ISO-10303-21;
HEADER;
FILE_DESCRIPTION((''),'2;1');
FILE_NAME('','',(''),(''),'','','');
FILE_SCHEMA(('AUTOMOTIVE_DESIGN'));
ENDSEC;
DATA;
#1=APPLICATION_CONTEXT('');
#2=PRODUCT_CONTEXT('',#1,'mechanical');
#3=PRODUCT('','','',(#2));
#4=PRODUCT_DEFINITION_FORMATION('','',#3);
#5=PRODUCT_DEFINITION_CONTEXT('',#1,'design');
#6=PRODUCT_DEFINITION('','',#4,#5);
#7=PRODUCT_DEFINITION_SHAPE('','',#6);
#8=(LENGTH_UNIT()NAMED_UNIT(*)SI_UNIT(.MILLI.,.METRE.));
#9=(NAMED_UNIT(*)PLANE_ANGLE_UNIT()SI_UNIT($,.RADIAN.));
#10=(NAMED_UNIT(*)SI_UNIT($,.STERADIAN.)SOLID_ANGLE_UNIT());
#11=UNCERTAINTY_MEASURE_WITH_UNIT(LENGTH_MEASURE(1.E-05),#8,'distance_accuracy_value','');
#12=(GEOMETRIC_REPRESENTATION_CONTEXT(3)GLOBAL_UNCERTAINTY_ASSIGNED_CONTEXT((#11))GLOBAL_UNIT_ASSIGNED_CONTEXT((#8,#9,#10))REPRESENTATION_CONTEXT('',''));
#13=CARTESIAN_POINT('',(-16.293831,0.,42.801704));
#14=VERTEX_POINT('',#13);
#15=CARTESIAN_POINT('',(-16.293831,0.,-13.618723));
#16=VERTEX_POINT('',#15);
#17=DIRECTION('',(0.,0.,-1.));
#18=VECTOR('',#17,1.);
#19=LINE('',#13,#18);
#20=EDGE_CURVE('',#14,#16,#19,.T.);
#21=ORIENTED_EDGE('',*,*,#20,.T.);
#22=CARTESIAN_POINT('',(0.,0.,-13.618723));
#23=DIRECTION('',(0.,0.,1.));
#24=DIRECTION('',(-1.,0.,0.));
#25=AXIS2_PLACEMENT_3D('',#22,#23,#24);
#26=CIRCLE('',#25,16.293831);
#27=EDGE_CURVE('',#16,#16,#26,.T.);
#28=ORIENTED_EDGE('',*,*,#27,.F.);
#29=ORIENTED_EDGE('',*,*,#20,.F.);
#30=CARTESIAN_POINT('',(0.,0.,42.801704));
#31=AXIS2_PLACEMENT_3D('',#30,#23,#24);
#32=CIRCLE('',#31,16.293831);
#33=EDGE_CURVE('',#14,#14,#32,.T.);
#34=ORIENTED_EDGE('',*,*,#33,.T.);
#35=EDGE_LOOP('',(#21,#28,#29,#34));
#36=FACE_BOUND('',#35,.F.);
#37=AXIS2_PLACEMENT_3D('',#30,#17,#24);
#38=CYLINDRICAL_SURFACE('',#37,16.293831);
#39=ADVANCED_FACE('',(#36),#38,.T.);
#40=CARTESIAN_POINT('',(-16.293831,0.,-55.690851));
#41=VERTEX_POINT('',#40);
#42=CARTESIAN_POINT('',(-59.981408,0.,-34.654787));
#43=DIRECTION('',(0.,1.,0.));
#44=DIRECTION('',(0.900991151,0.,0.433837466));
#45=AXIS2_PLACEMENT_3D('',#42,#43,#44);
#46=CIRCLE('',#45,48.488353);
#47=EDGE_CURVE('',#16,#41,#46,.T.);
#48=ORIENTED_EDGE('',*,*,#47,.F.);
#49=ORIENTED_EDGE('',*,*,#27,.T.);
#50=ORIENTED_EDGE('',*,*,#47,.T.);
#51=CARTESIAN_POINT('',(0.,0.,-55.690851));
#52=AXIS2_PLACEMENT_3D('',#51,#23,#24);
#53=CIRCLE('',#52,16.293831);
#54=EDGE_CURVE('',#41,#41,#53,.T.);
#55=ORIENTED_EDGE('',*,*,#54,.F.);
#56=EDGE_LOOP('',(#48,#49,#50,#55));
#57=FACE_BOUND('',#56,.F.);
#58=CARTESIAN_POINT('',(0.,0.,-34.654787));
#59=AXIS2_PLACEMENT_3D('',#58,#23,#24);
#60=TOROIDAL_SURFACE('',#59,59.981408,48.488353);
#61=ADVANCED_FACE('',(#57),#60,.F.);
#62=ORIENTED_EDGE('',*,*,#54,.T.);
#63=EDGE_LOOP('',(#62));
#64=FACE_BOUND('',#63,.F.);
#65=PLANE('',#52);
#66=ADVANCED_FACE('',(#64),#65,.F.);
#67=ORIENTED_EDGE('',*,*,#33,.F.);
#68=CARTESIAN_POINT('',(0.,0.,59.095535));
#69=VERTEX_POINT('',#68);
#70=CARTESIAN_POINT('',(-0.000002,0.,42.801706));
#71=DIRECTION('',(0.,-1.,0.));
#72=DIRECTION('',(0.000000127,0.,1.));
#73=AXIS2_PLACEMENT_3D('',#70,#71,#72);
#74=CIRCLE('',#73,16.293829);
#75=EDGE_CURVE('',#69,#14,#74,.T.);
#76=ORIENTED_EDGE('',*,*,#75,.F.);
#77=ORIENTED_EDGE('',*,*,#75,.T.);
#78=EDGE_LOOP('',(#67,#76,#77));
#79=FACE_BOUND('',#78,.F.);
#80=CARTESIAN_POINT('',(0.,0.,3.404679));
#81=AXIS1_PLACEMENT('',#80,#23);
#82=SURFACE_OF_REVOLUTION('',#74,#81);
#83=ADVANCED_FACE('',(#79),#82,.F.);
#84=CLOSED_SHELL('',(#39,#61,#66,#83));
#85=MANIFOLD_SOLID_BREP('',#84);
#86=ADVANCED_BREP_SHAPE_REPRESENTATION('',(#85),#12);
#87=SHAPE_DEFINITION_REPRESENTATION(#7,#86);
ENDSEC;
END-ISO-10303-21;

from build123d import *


with BuildPart() as f1:
    # F0 (on Front) → F1 (revolve)
    with BuildSketch(Plane.XZ):
        with BuildLine():
            ThreePointArc((0, 59.095535), (-11.521479, 54.323183), (-16.293831, 42.801704))
            Line((-16.293831, 42.801704), (-16.293831, 0))
            Line((-16.293831, 0), (-16.293831, -13.618723))
            ThreePointArc((-16.293831, -13.618723), (-11.493055, -34.654787), (-16.293831, -55.690851))
            Line((-16.293831, -55.690851), (0, -55.690851))
            Line((0, -55.690851), (0, 59.095535))
        make_face()
    revolve(axis=Axis((0, 0, 3.404679), (0, 0, 1)))


solid = f1.part
